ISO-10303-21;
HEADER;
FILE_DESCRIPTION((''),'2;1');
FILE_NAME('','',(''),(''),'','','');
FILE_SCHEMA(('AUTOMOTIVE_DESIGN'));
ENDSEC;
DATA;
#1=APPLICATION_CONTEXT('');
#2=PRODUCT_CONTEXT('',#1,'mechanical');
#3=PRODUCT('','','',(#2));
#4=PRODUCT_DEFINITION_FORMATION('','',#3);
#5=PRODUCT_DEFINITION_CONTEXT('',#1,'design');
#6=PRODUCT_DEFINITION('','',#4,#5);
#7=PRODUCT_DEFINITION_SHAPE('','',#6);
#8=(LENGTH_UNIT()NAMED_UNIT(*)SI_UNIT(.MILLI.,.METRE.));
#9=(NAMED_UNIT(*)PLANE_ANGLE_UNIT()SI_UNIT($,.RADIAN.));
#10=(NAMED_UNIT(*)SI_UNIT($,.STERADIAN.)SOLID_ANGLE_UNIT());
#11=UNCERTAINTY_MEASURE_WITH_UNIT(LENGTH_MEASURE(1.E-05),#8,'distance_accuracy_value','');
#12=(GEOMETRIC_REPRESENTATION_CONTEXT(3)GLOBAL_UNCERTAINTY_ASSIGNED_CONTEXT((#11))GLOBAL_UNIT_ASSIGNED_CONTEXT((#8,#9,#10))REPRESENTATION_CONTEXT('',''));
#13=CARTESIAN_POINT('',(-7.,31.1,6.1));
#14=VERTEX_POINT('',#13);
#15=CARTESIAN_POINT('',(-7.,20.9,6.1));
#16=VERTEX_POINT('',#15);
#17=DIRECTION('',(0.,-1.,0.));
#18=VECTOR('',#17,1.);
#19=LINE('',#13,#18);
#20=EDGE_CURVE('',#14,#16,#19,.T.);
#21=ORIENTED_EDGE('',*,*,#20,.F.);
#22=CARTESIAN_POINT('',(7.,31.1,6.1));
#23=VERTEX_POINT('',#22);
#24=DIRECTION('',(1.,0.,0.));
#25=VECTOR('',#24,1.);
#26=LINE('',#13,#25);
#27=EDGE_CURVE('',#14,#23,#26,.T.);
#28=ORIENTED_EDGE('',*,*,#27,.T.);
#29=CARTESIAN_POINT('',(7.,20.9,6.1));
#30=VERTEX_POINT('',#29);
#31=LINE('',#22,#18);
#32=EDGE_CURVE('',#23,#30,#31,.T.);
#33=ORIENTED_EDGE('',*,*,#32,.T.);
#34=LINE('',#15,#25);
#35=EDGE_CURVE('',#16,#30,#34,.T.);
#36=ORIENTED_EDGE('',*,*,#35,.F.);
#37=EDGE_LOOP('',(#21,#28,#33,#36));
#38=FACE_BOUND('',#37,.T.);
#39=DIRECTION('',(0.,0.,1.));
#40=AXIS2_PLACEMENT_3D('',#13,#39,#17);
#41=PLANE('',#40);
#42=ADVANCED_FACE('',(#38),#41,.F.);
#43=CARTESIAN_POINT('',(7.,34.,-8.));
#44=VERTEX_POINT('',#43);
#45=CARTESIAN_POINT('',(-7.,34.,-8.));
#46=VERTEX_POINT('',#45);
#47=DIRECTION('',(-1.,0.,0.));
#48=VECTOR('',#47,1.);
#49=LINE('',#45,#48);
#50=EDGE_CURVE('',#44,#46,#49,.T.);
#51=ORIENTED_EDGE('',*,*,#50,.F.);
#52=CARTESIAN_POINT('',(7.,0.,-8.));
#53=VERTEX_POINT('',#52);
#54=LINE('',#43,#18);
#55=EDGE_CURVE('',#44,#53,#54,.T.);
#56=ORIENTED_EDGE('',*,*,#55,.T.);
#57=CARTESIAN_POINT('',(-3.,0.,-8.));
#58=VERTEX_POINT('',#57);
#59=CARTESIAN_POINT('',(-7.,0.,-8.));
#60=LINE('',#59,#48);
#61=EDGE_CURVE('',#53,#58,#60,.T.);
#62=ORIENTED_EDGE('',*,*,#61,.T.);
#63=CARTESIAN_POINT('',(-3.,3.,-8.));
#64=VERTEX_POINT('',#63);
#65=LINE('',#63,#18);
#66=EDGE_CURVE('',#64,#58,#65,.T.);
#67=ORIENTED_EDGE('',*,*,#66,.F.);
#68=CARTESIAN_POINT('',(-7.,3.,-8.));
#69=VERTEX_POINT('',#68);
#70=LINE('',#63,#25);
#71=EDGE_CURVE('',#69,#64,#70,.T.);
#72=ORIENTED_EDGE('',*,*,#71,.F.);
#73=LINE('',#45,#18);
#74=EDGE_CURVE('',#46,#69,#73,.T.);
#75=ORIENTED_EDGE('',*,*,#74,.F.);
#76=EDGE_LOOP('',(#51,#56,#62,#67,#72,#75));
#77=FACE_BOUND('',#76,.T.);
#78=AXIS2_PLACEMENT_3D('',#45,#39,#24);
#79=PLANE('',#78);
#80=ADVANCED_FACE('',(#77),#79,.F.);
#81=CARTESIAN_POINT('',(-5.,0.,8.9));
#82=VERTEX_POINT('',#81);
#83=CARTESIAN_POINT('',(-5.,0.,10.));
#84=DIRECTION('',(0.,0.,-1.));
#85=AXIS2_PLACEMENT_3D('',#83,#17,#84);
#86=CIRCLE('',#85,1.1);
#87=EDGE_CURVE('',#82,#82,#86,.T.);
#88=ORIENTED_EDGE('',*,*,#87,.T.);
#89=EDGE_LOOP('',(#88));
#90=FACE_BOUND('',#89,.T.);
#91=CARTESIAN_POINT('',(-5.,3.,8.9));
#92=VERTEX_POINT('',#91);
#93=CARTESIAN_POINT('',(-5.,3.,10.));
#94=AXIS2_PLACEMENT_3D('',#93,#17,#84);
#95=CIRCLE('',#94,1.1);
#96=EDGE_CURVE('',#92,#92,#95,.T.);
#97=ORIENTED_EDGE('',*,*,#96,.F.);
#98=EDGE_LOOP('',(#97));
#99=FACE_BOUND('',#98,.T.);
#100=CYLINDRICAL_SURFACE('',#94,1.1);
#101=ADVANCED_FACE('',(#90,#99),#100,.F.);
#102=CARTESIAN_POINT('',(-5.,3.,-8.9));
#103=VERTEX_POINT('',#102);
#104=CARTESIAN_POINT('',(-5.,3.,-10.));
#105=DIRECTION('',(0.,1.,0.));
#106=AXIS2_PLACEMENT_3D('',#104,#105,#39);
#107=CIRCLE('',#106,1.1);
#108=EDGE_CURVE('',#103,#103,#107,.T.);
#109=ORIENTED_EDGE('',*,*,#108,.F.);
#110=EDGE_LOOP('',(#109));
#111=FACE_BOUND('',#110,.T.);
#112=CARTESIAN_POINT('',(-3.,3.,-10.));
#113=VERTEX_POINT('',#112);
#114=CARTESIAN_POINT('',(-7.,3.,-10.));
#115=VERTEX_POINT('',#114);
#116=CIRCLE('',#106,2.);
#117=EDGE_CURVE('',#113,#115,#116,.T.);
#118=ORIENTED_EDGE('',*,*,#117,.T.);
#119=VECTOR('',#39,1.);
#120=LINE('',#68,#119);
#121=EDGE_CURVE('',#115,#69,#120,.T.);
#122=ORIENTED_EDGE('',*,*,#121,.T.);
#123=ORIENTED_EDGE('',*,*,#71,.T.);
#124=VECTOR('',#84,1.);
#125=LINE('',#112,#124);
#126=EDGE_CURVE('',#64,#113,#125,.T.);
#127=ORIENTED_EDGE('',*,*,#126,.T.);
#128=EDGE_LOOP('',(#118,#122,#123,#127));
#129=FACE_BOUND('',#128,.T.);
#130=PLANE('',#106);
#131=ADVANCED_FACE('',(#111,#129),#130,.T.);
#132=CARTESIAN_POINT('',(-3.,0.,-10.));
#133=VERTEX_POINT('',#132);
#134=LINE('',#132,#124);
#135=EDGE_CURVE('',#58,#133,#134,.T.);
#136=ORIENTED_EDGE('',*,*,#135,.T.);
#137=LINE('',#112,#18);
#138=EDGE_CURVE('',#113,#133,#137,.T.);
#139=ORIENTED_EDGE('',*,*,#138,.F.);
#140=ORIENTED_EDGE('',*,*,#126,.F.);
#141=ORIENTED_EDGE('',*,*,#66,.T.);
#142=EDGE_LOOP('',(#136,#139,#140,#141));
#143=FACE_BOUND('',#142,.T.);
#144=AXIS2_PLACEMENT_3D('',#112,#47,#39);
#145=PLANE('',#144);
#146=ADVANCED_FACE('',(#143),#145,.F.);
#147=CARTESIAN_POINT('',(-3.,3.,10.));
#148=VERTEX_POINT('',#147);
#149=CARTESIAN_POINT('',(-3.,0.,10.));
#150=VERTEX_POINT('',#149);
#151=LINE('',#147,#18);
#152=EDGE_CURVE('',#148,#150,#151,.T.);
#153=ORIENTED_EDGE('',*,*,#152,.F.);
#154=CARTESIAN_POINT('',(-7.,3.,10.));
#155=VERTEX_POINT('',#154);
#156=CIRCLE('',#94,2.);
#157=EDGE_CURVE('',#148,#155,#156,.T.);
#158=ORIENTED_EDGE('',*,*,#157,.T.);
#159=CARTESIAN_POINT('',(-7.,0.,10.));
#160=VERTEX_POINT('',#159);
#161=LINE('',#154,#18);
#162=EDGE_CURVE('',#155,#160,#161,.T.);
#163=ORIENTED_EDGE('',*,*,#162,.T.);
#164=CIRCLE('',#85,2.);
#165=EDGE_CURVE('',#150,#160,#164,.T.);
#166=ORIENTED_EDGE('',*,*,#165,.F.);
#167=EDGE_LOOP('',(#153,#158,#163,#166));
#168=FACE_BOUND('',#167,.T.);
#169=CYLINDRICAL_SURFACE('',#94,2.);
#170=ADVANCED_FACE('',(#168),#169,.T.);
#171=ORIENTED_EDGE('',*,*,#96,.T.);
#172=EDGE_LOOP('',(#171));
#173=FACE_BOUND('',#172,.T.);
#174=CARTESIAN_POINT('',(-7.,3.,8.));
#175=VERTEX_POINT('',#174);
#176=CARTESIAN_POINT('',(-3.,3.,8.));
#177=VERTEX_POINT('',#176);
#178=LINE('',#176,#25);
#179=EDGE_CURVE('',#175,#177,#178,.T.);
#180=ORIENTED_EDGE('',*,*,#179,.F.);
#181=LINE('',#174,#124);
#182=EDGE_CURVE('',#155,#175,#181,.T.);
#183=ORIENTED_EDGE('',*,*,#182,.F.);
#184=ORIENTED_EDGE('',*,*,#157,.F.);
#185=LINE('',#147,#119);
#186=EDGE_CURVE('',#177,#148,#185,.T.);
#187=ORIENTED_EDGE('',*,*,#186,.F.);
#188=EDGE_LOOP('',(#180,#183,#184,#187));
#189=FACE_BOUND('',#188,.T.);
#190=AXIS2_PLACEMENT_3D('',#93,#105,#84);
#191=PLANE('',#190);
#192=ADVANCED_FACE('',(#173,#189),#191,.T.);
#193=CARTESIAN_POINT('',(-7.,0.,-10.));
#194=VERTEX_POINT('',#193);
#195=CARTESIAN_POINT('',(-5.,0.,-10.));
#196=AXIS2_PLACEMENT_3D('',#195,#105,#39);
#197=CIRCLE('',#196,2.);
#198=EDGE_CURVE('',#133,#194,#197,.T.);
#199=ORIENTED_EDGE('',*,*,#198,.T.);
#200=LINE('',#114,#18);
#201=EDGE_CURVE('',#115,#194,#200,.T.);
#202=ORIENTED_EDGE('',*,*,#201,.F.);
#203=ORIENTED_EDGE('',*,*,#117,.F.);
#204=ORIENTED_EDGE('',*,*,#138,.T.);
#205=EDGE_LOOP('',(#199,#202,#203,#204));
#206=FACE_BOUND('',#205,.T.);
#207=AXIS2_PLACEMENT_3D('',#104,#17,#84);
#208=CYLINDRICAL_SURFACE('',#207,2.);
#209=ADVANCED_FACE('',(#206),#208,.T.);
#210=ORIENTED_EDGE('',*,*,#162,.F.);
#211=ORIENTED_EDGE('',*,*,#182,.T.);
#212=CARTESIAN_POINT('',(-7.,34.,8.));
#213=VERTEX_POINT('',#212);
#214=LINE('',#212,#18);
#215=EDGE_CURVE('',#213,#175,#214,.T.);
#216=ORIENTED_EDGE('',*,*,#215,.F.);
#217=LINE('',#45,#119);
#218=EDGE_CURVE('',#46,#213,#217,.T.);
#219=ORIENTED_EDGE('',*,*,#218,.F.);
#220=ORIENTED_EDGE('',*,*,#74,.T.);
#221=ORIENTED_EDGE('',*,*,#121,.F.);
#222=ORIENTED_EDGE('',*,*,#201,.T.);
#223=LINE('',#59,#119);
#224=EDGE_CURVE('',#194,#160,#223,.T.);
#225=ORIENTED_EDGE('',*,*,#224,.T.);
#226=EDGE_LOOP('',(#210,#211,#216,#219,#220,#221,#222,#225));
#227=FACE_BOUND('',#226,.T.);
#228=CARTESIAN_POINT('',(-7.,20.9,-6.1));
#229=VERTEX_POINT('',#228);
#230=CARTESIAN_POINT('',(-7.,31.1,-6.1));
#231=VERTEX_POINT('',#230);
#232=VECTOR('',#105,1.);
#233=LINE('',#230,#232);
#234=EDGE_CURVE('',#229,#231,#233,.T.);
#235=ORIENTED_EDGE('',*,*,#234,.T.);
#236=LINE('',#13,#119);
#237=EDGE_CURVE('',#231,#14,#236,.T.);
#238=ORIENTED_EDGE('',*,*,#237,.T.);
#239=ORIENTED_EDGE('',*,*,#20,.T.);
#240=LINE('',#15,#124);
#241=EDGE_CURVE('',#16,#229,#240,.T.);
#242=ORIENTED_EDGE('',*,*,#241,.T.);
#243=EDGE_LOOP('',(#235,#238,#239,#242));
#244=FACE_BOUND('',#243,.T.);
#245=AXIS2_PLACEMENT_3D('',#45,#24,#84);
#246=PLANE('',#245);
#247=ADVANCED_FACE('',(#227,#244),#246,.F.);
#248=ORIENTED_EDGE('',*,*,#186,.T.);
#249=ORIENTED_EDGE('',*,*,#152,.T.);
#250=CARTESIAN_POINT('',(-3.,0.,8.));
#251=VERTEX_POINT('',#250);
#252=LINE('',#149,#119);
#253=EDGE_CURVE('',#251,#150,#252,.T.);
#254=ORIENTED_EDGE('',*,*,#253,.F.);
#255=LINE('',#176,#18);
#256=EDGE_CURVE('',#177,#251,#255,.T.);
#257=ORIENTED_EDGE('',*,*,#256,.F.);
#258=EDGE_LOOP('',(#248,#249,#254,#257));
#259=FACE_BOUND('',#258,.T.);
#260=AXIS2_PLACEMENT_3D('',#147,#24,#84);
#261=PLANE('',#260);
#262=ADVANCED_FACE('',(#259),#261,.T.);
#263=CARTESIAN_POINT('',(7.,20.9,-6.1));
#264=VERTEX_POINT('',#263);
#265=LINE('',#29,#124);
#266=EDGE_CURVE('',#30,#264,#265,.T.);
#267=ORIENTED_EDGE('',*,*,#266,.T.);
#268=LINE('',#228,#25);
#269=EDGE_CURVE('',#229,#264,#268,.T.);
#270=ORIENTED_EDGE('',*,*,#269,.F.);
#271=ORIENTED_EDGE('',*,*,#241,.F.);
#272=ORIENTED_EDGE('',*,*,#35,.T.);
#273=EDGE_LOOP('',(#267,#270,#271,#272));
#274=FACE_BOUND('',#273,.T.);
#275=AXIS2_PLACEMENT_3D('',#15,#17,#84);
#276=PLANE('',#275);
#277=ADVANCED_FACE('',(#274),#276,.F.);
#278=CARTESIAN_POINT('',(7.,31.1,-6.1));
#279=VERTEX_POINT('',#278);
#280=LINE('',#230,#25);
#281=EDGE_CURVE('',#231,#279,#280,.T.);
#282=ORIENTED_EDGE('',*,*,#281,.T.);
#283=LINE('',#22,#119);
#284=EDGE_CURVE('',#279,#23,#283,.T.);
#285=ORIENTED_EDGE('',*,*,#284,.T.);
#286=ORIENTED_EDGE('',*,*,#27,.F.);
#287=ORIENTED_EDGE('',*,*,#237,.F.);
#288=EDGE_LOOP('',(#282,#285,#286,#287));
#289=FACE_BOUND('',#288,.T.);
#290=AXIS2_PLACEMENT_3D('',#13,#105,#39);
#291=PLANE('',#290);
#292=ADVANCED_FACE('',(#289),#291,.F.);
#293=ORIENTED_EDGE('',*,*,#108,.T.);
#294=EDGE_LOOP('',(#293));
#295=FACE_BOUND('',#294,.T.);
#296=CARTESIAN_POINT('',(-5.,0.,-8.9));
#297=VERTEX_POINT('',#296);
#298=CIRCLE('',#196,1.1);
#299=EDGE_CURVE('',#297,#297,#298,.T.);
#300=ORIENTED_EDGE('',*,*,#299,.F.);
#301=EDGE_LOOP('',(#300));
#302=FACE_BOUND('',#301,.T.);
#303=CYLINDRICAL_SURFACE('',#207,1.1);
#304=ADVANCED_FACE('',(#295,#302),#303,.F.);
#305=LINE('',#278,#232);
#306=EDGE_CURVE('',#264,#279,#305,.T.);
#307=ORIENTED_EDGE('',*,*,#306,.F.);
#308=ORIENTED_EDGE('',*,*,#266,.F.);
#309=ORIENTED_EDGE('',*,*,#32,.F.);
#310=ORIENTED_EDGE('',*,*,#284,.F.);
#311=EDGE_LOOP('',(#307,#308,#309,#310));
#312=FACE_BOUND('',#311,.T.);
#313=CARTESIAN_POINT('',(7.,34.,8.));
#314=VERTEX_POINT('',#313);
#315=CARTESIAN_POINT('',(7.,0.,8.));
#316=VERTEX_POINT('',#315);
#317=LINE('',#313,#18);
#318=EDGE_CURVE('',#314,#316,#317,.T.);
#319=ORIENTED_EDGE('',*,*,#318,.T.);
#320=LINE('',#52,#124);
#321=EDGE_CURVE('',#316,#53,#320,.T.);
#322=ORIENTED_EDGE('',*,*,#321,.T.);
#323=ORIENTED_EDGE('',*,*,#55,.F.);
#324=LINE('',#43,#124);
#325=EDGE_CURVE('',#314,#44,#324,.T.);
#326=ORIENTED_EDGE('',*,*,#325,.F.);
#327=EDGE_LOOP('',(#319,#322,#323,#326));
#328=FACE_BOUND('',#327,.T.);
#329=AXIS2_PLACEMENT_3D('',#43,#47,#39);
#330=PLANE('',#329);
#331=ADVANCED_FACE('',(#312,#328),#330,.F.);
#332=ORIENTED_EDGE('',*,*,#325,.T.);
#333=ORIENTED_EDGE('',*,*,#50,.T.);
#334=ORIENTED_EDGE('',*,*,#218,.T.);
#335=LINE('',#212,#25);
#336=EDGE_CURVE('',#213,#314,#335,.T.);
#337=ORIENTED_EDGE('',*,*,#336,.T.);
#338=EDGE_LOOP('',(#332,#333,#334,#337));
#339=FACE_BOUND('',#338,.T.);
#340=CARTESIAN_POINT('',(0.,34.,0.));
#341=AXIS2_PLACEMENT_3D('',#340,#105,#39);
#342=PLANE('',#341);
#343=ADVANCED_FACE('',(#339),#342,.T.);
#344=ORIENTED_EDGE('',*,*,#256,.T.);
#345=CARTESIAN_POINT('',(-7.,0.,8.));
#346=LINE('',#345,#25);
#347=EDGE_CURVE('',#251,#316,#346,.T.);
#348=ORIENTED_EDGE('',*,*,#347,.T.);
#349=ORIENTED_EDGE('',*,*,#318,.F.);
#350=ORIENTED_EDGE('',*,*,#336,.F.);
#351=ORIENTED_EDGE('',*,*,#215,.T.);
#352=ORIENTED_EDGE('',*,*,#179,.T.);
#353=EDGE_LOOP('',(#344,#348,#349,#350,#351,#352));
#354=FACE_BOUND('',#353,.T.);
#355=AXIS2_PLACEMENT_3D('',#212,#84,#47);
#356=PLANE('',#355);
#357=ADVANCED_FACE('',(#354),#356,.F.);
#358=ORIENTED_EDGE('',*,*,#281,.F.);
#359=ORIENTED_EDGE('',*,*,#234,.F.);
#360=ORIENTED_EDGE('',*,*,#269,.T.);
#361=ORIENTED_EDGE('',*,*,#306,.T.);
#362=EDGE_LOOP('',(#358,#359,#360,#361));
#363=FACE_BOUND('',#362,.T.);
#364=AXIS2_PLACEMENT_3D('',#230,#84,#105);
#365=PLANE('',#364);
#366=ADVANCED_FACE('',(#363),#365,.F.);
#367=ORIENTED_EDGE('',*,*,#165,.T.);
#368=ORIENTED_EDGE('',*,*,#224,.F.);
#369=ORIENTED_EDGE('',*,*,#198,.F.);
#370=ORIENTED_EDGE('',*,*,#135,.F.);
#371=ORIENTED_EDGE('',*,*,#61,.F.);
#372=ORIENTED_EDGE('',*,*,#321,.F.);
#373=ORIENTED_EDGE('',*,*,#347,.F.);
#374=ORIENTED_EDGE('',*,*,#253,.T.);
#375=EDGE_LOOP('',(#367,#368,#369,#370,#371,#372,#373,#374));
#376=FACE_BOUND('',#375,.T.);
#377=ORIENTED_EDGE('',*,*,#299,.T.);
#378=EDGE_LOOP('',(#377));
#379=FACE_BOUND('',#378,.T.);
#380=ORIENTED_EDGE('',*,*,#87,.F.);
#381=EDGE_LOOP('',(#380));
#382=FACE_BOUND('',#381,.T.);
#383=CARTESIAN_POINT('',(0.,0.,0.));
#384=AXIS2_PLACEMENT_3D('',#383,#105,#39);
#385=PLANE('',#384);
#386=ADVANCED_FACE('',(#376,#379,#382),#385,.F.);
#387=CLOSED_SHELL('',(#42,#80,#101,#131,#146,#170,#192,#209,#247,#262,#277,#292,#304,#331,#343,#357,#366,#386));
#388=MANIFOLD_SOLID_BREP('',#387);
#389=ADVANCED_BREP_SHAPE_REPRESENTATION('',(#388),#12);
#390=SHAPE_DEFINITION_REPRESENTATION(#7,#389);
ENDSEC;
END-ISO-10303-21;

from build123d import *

# Parameters (mm, degrees)
SKETCH_1_W               = 14
SKETCH_1_H               = 16
EXTRUDE_1_DEPTH          = 34
CUT_EXTRUDE_1_DEPTH      = 36.623026261
CUT_EXTRUDE_1_DEPTH_BACK = 36.623026261
SKETCH_2_W               = 12.2
SKETCH_2_H               = 10.2
SKETCH_3_R               = 1.1
EXTRUDE_2_DEPTH          = 3


with BuildPart() as part:
    # 草图1 → 凸台-拉伸1 (new body)
    with BuildSketch(Plane(origin=(0, 0, 0), x_dir=(1, 0, 0), z_dir=(0, 1, 0))):
        Rectangle(SKETCH_1_W, SKETCH_1_H)
    extrude(amount=EXTRUDE_1_DEPTH)

    # 草图2 → 切除-拉伸1 (cut, two sides: drawn at the far end of the back side and taken through both)
    with BuildSketch(Plane(origin=(0, 0, 0), x_dir=(0, 0, -1), z_dir=(1, 0, 0)).offset(-CUT_EXTRUDE_1_DEPTH_BACK)):
        with Locations((0, 26)):
            Rectangle(SKETCH_2_W, SKETCH_2_H)
    extrude(amount=CUT_EXTRUDE_1_DEPTH + CUT_EXTRUDE_1_DEPTH_BACK, mode=Mode.SUBTRACT)

    # 草图3 → 凸台-拉伸2 (add)
    with BuildSketch(Plane(origin=(0, 0, 0), x_dir=(1, 0, 0), z_dir=(0, 1, 0))):
        with BuildLine():
            Line((-7, 8), (-7, 10))
            ThreePointArc((-7, 10), (-5, 12), (-3, 10))
            Line((-3, 10), (-3, 8))
            Line((-3, 8), (-7, 8))
        make_face()
        with Locations(Location((-5, 10, 0), (0, 0, 270))):
            Circle(SKETCH_3_R, mode=Mode.SUBTRACT)
    extrude_2 = extrude(amount=EXTRUDE_2_DEPTH)

    # 镜向1: 凸台-拉伸2 across plane
    add(extrude_2.mirror(Plane.XY))


solid = part.part
